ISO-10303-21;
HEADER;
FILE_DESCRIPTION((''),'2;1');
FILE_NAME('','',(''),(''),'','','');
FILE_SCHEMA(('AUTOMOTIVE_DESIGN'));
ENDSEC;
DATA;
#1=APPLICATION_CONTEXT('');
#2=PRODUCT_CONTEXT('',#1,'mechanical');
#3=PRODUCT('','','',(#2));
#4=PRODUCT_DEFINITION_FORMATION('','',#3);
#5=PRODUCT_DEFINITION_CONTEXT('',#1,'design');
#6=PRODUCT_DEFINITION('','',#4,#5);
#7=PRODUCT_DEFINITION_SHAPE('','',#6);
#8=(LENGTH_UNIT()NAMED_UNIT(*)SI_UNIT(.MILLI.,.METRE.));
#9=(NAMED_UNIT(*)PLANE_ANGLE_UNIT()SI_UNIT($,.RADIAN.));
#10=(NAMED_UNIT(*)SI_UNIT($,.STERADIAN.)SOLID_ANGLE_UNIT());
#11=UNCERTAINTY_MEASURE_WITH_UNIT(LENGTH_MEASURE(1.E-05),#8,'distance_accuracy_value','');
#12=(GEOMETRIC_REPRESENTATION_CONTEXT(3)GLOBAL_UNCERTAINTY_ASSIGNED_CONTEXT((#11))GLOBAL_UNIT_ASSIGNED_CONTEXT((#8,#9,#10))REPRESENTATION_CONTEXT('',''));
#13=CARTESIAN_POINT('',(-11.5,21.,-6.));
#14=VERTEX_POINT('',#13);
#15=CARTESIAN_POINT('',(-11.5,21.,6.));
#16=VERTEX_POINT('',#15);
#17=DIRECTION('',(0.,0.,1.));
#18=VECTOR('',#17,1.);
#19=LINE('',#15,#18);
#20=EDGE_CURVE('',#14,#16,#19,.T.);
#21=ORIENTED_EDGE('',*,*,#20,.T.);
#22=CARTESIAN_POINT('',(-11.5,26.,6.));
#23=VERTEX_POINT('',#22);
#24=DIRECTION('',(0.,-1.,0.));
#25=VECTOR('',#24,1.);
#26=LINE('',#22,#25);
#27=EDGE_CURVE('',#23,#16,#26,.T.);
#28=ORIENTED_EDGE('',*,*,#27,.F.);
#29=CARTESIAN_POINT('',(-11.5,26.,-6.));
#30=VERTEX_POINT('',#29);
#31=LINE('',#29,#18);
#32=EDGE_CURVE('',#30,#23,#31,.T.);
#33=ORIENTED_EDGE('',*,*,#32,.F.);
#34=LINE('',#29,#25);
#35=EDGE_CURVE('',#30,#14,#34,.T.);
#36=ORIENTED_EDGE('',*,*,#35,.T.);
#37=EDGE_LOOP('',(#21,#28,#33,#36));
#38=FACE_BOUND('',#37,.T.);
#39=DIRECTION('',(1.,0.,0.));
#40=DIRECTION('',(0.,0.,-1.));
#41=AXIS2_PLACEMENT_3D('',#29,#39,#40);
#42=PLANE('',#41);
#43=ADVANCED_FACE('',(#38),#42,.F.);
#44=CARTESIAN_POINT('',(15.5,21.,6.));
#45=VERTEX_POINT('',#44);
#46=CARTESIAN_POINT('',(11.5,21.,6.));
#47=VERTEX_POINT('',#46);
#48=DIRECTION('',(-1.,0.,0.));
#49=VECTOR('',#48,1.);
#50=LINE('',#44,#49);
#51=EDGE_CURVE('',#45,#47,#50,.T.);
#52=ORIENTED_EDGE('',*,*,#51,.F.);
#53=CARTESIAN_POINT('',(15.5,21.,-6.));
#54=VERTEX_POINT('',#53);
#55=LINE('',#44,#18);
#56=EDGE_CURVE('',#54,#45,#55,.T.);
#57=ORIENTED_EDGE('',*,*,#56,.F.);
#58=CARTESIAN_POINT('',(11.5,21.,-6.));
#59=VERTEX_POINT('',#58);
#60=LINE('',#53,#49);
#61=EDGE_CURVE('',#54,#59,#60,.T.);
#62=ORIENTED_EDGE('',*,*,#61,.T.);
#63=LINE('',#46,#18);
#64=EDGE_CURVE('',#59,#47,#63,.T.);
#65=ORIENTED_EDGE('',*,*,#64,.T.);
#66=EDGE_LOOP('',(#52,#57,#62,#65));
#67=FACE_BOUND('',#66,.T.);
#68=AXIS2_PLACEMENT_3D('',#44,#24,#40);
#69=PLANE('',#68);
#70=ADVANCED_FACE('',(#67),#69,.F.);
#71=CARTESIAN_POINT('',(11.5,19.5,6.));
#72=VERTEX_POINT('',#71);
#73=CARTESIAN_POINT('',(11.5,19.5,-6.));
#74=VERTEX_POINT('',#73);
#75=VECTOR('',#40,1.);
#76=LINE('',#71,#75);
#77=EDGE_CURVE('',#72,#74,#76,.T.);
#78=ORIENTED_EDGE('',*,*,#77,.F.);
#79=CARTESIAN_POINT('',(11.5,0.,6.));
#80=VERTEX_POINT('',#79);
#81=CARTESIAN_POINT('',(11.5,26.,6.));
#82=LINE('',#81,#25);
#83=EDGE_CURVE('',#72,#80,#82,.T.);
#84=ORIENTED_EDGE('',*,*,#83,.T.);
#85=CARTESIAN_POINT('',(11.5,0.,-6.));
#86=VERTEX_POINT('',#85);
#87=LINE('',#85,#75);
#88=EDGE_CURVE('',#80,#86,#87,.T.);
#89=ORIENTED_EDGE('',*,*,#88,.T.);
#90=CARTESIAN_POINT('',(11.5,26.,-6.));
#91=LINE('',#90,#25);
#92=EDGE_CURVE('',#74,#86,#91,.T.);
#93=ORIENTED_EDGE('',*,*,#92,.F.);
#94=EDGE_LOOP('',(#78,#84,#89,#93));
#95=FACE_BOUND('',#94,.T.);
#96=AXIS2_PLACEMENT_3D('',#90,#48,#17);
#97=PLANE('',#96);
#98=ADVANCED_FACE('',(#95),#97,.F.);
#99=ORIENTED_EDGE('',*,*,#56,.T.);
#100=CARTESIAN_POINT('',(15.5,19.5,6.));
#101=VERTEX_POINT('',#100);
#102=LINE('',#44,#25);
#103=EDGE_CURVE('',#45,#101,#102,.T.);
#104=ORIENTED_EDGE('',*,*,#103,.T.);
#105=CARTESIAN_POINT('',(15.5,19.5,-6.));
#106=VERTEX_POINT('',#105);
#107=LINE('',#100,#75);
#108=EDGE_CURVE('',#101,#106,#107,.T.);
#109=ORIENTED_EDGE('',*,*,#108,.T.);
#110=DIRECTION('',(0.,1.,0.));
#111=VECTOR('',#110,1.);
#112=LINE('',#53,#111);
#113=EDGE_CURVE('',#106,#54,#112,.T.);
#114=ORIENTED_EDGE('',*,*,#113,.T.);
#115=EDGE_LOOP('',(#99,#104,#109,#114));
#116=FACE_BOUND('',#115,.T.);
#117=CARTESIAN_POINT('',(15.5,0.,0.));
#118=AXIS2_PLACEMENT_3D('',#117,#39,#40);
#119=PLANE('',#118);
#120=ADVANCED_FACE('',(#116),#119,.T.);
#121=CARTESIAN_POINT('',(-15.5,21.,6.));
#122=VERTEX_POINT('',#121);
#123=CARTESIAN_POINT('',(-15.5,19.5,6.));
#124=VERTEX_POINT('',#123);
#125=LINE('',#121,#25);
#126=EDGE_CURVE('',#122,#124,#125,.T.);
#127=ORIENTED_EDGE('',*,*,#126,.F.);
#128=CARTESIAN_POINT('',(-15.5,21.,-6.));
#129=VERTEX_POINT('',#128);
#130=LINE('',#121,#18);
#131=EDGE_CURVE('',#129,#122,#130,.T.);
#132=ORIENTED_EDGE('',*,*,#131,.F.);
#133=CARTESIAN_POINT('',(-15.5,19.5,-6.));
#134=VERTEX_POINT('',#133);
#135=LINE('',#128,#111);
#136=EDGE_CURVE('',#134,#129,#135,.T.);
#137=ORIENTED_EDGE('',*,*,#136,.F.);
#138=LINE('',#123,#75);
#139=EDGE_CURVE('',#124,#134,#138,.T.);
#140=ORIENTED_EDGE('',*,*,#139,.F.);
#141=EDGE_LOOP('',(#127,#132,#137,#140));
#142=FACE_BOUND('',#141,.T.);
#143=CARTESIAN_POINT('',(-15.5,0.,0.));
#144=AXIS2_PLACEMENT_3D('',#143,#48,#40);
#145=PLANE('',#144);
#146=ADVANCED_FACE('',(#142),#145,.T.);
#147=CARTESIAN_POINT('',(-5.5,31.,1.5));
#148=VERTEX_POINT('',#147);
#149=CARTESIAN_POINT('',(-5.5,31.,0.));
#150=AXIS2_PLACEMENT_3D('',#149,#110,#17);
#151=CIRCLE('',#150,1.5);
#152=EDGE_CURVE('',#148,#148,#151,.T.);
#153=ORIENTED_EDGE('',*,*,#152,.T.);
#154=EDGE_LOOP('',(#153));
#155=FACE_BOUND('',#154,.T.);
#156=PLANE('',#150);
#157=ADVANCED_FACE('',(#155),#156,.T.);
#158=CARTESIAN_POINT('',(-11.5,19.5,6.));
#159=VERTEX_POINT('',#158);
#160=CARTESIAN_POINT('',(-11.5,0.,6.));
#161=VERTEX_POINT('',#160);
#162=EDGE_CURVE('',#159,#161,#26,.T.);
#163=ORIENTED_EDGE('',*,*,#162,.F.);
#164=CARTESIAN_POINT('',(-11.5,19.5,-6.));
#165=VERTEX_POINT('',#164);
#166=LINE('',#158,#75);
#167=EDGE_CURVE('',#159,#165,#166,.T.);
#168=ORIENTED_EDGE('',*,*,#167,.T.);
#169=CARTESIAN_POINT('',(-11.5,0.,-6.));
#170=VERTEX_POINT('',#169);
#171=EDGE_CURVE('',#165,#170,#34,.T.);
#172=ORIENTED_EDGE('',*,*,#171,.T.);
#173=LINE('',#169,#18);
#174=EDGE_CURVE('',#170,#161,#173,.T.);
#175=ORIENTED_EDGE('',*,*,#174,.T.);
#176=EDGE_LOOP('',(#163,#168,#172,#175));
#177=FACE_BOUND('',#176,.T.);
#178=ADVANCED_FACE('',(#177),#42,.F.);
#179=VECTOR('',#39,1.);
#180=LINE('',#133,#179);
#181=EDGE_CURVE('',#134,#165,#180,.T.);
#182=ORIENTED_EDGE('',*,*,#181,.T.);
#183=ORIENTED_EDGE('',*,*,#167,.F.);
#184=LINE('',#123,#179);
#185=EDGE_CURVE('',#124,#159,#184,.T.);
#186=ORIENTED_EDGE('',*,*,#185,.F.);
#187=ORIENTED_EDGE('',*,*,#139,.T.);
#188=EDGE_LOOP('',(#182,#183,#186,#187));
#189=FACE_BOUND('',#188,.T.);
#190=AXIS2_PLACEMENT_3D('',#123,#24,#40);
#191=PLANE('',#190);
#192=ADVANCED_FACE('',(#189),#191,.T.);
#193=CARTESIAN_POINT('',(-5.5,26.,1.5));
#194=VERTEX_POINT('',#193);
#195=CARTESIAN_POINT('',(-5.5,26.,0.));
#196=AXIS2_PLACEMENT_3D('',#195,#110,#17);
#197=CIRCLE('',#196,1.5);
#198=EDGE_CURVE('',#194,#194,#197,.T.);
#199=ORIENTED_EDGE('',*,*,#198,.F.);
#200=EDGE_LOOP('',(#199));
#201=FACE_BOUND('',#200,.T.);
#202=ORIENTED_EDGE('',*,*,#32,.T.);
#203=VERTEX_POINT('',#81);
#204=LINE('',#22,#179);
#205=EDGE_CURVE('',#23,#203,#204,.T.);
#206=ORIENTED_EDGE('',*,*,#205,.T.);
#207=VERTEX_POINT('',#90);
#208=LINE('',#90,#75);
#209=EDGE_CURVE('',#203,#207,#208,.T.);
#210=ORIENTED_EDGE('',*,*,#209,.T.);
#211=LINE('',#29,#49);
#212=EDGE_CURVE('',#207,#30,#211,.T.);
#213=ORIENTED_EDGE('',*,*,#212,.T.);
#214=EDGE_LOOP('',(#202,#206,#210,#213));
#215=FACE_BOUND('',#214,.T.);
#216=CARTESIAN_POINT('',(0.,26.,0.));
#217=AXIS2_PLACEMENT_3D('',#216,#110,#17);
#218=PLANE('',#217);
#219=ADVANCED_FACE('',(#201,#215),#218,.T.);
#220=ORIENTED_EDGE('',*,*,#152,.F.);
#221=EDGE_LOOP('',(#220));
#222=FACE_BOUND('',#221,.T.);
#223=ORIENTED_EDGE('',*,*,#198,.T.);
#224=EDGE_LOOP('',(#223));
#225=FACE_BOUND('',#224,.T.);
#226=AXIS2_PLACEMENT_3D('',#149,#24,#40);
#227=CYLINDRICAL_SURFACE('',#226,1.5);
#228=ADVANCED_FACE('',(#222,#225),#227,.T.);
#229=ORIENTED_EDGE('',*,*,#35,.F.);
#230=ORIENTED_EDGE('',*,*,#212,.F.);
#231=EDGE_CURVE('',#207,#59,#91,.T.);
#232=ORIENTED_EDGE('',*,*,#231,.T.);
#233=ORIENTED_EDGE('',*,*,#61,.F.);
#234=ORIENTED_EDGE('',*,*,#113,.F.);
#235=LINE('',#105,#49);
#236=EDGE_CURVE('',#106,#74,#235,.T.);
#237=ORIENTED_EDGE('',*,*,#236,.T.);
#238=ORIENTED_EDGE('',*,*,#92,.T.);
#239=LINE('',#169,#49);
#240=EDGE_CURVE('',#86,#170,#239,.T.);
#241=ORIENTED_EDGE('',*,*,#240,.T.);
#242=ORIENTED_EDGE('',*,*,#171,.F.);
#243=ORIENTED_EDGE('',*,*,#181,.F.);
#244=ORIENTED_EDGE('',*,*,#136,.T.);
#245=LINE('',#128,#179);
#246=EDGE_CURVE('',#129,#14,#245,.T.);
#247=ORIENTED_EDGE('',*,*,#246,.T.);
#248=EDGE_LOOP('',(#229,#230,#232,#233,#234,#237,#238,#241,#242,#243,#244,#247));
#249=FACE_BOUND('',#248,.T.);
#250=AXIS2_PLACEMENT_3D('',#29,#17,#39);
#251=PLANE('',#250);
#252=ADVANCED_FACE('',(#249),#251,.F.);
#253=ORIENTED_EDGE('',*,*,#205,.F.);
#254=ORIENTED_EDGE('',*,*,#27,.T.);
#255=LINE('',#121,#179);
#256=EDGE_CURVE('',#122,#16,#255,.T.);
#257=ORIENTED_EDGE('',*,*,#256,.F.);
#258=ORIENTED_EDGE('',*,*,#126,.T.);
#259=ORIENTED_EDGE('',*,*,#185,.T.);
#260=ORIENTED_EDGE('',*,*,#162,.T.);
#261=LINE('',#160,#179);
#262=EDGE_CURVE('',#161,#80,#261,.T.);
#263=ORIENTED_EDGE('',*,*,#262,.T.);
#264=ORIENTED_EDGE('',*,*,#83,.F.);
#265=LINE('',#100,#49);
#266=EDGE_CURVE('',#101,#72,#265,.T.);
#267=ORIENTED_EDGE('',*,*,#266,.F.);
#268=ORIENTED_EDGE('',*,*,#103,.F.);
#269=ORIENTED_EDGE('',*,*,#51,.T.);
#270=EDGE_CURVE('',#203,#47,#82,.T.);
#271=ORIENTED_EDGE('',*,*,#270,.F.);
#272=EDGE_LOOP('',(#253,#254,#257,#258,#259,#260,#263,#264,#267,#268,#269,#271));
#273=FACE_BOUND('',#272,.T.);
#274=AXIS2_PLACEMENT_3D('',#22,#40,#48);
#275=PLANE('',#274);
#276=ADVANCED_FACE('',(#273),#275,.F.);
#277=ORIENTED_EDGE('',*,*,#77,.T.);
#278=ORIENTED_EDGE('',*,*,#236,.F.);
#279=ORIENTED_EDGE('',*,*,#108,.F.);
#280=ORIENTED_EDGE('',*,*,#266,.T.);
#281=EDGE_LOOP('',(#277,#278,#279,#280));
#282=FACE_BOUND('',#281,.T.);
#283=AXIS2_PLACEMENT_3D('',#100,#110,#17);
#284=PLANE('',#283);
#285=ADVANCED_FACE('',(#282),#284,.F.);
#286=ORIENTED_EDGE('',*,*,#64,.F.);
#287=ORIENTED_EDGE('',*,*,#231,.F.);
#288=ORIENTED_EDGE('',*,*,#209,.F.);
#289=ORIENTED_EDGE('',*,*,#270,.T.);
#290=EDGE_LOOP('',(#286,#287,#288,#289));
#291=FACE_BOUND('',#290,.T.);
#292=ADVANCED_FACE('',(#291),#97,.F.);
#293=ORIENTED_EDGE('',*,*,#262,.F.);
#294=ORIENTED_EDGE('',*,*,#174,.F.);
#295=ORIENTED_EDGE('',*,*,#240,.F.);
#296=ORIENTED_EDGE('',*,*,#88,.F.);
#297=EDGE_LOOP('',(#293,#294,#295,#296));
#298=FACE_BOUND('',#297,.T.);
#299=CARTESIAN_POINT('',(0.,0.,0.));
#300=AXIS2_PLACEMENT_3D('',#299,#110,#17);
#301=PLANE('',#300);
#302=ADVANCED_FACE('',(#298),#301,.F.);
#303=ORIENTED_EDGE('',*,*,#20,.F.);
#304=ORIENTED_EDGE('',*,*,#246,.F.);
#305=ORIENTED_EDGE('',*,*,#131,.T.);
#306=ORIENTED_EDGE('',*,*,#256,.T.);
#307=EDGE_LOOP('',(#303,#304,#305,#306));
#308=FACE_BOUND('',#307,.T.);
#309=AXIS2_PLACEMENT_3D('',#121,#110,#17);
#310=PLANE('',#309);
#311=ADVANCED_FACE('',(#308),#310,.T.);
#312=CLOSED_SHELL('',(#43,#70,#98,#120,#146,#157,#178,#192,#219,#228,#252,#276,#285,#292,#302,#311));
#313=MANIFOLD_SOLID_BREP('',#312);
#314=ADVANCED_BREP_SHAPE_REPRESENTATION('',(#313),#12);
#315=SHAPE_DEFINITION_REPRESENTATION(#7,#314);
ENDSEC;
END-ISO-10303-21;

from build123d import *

# Parameters (mm, degrees)
SKETCH1_W           = 23
SKETCH1_H           = 12
BOSS_EXTRUDE1_DEPTH = 26
SKETCH2_W           = 12
SKETCH2_H           = 1.5
BOSS_EXTRUDE2_DEPTH = 4
SKETCH3_R           = 1.5
BOSS_EXTRUDE3_DEPTH = 5


with BuildPart() as part:
    # Sketch1 → Boss-Extrude1 (new body)
    with BuildSketch(Plane(origin=(0, 0, 0), x_dir=(1, 0, 0), z_dir=(0, 1, 0))):
        Rectangle(SKETCH1_W, SKETCH1_H)
    extrude(amount=BOSS_EXTRUDE1_DEPTH)

    # Sketch2 → Boss-Extrude2 (add)
    with BuildSketch(Plane(origin=(11.5, 0, 0), x_dir=(0, 0, -1), z_dir=(1, 0, 0))):
        with Locations((0, 20.25)):
            Rectangle(SKETCH2_W, SKETCH2_H)
    boss_extrude2 = extrude(amount=BOSS_EXTRUDE2_DEPTH)

    # Mirror1: Boss-Extrude2 across plane
    add(boss_extrude2.mirror(Plane(origin=(0, 0, 0), x_dir=(0, 0, 1), z_dir=(1, 0, 0))))

    # Sketch3 → Boss-Extrude3 (add)
    with BuildSketch(Plane(origin=(0, 26, 0), x_dir=(1, 0, 0), z_dir=(0, 1, 0))):
        with Locations(Location((-5.5, 0, 0), (0, 0, 270))):
            Circle(SKETCH3_R)
    extrude(amount=BOSS_EXTRUDE3_DEPTH)


solid = part.part
